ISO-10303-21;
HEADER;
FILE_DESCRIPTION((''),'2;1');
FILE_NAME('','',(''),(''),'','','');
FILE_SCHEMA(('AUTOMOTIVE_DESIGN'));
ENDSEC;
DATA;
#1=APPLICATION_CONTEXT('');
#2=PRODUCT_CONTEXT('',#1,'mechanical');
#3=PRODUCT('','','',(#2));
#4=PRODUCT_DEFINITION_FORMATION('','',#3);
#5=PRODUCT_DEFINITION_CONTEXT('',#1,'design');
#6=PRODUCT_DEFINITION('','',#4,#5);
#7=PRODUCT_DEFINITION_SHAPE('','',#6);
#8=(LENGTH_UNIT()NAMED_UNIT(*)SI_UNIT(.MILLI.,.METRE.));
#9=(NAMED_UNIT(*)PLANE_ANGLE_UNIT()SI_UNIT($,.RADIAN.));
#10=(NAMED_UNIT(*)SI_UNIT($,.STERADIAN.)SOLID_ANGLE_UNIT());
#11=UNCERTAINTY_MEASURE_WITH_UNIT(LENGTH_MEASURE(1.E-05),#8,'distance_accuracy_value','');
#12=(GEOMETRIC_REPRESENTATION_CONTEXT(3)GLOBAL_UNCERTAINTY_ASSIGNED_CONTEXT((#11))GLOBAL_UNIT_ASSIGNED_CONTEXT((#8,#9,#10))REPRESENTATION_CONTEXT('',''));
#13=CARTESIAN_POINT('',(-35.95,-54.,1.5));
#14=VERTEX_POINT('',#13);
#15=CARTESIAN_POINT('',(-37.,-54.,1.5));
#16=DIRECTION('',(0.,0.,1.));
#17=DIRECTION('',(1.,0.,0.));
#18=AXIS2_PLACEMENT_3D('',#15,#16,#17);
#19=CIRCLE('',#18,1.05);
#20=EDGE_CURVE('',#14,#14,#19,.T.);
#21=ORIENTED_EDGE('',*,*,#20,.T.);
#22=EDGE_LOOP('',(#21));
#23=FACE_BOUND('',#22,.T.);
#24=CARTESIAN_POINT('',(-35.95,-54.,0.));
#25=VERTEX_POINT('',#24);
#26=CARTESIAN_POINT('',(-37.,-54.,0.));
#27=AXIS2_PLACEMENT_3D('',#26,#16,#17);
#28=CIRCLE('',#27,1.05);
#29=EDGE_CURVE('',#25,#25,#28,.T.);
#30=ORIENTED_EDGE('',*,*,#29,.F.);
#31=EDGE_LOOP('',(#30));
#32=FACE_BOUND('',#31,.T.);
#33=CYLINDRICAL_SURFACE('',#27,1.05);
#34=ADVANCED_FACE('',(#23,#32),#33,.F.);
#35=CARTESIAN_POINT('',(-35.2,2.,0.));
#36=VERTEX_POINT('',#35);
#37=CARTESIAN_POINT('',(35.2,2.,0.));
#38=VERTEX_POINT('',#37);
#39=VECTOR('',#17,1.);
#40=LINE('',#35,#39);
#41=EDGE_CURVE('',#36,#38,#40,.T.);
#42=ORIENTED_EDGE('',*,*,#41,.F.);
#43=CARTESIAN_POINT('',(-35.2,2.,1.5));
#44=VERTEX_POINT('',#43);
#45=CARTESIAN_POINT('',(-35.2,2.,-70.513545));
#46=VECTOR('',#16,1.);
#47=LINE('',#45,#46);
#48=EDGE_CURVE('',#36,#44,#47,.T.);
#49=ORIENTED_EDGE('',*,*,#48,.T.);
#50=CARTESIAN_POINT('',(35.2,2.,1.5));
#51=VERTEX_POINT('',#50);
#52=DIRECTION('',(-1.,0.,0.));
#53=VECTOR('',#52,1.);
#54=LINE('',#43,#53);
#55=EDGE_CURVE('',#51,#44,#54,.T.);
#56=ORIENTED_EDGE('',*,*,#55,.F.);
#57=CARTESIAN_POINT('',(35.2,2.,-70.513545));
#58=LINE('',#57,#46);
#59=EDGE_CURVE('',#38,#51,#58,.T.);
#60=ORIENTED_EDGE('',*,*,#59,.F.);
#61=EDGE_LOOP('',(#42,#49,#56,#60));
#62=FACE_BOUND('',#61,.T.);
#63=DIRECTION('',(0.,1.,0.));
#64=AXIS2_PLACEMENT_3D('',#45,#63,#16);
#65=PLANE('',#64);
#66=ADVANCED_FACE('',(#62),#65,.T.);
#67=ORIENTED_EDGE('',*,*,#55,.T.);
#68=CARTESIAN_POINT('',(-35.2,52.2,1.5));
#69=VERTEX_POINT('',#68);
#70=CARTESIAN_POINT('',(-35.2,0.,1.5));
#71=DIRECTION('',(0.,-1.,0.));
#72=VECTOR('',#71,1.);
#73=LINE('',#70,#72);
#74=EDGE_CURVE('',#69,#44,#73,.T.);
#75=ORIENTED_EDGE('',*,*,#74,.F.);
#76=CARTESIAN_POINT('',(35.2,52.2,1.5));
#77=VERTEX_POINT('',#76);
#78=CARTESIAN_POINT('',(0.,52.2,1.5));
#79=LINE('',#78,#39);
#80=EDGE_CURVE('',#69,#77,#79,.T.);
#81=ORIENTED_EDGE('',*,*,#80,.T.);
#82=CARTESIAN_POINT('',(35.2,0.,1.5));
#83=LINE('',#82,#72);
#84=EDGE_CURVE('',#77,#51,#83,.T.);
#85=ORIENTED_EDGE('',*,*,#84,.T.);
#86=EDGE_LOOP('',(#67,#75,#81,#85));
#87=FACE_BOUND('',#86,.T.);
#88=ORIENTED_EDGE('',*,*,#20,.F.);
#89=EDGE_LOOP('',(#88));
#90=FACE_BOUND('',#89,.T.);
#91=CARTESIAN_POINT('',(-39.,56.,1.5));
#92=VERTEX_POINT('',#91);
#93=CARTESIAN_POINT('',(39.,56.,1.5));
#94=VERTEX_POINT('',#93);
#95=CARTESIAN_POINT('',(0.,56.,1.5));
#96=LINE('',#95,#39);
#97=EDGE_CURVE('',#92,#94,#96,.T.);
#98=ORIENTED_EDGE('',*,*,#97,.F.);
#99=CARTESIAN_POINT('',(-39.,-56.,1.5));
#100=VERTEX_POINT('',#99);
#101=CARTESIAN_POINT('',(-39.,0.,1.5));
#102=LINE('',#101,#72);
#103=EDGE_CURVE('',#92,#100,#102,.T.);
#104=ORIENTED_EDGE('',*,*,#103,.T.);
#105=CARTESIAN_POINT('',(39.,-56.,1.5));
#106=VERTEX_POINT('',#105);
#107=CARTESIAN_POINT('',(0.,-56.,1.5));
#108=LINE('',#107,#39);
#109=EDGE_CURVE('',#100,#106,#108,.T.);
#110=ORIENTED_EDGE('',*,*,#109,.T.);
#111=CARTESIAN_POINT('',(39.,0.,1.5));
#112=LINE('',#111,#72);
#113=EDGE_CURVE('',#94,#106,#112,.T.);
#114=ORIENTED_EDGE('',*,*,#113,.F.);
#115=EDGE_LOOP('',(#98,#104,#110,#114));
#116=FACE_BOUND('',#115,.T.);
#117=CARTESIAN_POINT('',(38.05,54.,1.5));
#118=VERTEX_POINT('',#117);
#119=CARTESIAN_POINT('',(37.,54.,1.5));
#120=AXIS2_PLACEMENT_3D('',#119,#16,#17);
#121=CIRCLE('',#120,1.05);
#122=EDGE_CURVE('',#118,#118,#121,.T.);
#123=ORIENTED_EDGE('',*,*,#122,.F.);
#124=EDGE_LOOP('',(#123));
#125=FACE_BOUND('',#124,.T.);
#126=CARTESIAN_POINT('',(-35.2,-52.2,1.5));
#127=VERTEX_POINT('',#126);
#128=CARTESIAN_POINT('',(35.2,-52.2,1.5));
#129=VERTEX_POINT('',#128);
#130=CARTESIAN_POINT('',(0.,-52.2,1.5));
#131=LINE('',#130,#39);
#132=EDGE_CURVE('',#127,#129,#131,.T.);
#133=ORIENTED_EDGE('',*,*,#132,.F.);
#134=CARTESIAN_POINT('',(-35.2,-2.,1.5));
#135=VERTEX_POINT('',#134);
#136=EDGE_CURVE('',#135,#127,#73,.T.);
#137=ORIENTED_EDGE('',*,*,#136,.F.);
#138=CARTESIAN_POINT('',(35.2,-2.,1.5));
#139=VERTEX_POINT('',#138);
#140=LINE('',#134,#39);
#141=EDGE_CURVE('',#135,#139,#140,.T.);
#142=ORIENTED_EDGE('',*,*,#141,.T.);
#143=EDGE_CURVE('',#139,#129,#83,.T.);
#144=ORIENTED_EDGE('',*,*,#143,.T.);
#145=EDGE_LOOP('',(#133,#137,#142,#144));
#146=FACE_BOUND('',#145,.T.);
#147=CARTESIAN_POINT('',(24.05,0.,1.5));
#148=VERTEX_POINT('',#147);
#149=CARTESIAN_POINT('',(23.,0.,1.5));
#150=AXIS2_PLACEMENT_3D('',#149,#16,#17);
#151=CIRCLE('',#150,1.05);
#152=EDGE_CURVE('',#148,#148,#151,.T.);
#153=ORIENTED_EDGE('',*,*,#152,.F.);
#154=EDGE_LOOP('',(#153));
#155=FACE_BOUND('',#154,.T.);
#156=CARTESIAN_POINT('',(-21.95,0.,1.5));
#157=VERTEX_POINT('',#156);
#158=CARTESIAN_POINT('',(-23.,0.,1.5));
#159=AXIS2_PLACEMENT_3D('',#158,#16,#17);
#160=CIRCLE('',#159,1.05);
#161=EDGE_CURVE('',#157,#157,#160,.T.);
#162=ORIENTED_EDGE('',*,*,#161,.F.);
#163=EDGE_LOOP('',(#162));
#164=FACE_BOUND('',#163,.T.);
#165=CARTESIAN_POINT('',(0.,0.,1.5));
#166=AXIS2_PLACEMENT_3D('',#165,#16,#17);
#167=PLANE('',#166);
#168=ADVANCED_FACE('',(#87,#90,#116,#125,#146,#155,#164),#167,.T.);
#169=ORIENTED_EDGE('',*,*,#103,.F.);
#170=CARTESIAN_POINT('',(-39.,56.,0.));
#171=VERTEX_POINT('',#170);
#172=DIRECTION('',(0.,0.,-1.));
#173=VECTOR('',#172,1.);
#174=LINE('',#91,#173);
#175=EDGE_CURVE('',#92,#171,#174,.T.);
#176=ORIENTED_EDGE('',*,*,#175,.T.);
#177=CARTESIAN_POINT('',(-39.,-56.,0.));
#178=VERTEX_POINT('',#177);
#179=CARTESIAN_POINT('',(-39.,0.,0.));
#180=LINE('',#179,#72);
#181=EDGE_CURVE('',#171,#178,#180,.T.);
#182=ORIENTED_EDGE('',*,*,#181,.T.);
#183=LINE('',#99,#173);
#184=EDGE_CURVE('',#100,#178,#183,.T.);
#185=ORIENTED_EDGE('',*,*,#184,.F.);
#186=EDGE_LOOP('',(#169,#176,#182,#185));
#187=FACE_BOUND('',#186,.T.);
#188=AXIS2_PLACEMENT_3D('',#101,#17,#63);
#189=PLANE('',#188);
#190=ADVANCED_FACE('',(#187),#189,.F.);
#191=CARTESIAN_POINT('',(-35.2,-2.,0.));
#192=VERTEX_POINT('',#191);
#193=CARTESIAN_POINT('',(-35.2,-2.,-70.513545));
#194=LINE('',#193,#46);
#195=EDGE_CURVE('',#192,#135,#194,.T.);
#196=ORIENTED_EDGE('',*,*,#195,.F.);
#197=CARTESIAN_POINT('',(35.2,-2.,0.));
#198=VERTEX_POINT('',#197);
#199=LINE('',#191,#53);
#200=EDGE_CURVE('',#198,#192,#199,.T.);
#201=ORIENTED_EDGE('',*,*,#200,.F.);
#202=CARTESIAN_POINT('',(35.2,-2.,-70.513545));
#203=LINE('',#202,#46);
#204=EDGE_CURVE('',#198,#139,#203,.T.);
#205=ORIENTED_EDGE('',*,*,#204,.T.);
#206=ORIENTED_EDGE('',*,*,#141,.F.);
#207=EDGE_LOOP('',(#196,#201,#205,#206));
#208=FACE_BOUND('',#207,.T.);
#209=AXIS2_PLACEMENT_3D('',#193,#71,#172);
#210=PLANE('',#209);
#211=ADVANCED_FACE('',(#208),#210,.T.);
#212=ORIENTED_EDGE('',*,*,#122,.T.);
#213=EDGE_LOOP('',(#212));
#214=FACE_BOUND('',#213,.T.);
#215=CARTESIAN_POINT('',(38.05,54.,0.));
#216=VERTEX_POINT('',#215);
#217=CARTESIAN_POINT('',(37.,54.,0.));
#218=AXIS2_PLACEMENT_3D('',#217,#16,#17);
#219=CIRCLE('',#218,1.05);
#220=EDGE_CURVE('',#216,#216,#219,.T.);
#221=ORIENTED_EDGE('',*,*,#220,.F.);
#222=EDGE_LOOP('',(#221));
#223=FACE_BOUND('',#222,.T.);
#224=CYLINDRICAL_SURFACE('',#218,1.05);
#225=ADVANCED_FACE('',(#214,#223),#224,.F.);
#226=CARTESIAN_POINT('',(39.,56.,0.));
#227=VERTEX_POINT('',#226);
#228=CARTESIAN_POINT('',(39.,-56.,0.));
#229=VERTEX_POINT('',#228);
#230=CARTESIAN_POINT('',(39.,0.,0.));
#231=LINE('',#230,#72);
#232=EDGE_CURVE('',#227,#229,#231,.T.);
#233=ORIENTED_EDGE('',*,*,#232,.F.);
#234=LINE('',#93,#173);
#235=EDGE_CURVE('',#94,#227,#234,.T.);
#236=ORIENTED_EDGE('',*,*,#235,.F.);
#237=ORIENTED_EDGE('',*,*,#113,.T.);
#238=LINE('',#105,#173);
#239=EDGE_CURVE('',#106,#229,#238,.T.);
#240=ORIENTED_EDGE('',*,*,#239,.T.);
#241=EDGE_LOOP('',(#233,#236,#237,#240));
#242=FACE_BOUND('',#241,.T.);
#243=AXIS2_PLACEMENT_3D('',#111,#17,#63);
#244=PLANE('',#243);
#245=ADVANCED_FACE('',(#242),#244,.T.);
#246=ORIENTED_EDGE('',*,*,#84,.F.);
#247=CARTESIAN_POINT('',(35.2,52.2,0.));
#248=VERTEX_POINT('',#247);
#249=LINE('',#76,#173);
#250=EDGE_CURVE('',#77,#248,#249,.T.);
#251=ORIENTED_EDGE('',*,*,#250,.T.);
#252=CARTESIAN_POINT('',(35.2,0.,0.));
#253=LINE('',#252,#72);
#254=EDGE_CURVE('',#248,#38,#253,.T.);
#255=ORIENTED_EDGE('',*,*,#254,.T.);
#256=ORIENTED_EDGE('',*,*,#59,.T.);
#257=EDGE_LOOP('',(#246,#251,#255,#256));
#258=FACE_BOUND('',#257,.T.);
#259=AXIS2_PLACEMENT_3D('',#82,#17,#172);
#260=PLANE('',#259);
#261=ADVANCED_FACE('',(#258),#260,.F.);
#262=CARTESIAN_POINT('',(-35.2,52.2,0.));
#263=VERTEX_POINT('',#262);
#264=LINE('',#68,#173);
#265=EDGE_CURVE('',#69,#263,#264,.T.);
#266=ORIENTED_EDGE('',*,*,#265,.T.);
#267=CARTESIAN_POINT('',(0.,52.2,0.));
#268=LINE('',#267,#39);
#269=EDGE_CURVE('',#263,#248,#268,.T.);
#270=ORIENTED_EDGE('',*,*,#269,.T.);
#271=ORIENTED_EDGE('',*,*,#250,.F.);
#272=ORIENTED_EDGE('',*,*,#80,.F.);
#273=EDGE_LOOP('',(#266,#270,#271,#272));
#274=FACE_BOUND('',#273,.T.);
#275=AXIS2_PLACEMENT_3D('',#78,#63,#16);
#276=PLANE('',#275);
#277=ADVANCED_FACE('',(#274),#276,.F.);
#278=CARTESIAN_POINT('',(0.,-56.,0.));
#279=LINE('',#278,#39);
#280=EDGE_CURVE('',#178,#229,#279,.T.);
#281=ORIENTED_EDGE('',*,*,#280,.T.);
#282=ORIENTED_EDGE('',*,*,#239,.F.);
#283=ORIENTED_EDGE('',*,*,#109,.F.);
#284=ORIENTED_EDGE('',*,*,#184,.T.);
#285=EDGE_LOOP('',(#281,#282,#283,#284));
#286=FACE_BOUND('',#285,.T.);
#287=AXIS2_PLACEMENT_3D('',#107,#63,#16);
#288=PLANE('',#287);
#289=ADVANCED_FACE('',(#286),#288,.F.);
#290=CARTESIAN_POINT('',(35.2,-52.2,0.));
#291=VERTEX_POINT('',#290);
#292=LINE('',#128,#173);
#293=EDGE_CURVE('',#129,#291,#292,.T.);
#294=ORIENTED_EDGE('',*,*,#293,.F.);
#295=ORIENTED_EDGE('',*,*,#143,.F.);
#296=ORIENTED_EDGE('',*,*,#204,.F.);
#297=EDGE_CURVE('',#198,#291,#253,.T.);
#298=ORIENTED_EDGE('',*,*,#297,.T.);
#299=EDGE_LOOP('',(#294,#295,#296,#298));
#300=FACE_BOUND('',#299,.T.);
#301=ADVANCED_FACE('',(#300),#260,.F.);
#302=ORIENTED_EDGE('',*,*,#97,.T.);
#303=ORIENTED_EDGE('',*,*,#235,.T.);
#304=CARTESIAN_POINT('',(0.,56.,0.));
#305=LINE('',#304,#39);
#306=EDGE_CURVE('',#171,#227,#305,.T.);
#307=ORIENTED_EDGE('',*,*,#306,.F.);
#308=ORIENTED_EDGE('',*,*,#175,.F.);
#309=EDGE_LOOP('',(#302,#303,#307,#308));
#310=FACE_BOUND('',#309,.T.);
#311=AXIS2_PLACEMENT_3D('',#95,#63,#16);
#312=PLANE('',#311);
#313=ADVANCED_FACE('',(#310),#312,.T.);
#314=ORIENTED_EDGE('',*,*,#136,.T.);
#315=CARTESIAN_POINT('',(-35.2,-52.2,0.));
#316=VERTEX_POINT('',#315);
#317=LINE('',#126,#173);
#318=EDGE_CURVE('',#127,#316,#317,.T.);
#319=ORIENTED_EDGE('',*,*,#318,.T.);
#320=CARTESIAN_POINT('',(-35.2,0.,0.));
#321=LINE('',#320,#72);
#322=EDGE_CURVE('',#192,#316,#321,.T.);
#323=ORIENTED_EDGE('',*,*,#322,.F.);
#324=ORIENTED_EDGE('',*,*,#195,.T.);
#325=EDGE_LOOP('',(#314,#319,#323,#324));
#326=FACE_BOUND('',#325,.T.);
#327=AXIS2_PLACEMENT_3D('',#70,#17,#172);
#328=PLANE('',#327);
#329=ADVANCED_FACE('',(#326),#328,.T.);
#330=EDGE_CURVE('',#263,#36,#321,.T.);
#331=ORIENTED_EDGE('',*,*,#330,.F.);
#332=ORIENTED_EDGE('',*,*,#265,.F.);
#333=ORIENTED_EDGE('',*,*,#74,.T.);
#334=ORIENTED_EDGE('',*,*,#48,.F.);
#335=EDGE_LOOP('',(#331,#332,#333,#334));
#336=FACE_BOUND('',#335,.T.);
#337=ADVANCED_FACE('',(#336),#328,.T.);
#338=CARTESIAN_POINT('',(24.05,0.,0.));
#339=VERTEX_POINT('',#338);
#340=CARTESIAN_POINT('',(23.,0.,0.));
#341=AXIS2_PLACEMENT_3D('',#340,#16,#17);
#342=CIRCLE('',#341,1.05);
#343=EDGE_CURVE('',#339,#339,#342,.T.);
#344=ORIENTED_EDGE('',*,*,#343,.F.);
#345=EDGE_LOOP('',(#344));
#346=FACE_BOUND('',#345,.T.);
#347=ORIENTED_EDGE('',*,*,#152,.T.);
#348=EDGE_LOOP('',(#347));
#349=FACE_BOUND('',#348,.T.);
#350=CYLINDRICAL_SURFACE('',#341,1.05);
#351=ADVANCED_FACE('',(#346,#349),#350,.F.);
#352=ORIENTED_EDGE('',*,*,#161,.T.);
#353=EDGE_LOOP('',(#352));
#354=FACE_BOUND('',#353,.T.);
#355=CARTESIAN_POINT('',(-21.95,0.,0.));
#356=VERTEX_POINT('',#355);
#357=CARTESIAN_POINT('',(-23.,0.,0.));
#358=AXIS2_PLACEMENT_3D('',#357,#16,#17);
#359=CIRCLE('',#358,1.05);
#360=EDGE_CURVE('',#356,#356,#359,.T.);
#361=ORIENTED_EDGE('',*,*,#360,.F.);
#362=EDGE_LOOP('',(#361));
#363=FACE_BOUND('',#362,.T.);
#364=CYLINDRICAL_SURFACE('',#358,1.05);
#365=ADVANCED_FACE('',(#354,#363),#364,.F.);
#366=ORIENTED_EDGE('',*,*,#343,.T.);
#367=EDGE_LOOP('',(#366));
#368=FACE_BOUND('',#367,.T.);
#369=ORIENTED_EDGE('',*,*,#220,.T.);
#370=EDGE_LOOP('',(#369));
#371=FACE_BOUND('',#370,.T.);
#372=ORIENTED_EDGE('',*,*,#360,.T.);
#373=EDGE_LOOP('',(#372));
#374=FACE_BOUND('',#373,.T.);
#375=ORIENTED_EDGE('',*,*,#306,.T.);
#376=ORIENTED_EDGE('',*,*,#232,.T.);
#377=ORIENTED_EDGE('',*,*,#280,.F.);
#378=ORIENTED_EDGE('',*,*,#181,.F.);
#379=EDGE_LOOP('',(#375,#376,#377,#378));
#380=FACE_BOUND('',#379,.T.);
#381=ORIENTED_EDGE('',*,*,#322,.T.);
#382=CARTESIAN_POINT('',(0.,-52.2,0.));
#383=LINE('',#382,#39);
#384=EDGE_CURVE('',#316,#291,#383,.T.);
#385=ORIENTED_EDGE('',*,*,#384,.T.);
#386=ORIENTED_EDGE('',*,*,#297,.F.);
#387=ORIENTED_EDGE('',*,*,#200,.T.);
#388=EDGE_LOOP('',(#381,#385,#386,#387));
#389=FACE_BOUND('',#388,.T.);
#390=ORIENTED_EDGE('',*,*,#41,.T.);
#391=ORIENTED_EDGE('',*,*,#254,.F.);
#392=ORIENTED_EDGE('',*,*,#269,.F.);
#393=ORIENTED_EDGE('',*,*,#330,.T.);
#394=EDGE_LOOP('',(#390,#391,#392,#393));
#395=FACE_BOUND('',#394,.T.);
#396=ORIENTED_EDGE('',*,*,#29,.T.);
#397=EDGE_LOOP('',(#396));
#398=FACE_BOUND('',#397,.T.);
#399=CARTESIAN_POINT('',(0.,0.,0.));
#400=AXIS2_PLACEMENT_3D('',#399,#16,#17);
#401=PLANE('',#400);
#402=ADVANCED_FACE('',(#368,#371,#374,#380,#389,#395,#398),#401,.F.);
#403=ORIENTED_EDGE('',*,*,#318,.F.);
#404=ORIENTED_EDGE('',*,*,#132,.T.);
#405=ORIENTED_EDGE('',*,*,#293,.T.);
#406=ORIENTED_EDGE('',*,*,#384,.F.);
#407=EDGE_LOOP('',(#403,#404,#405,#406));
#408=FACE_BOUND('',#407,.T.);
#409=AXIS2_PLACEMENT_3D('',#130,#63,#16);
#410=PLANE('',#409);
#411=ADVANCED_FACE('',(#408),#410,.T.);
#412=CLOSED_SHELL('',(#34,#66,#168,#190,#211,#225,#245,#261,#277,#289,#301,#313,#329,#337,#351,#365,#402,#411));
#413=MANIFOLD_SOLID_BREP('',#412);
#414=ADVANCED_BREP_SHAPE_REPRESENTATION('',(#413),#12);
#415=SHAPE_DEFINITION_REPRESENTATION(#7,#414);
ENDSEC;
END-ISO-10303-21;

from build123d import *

# Parameters (mm, degrees)
SKETCH1_W           = 78
SKETCH1_H           = 112
SKETCH1_W_2         = 70.4
SKETCH1_H_2         = 104.4
BOSS_EXTRUDE1_DEPTH = 1.5
SKETCH2_W           = 70.4
SKETCH2_H           = 4
BOSS_EXTRUDE3_DEPTH = 1.5
SKETCH4_R           = 1.05
CUT_EXTRUDE1_DEPTH  = 2.5


with BuildPart() as part:
    # Sketch1 → Boss-Extrude1 (new body)
    with BuildSketch(Plane.XY):
        Rectangle(SKETCH1_W, SKETCH1_H)
        Rectangle(SKETCH1_W_2, SKETCH1_H_2, mode=Mode.SUBTRACT)
    extrude(amount=BOSS_EXTRUDE1_DEPTH)

    # Sketch2 → Boss-Extrude3 (add)
    with BuildSketch(Plane.XY.offset(1.5)):
        Rectangle(SKETCH2_W, SKETCH2_H)
    extrude(amount=-BOSS_EXTRUDE3_DEPTH)

    # Sketch4 → Cut-Extrude1 (cut, through all)
    with BuildSketch(Plane.XY.offset(1.5)):
        with Locations((37, 54)):
            Circle(SKETCH4_R)
        with Locations((23, 0)):
            Circle(SKETCH4_R)
        with Locations((-23, 0)):
            Circle(SKETCH4_R)
        with Locations((-37, -54)):
            Circle(SKETCH4_R)
    extrude(amount=-CUT_EXTRUDE1_DEPTH, mode=Mode.SUBTRACT)


solid = part.part
